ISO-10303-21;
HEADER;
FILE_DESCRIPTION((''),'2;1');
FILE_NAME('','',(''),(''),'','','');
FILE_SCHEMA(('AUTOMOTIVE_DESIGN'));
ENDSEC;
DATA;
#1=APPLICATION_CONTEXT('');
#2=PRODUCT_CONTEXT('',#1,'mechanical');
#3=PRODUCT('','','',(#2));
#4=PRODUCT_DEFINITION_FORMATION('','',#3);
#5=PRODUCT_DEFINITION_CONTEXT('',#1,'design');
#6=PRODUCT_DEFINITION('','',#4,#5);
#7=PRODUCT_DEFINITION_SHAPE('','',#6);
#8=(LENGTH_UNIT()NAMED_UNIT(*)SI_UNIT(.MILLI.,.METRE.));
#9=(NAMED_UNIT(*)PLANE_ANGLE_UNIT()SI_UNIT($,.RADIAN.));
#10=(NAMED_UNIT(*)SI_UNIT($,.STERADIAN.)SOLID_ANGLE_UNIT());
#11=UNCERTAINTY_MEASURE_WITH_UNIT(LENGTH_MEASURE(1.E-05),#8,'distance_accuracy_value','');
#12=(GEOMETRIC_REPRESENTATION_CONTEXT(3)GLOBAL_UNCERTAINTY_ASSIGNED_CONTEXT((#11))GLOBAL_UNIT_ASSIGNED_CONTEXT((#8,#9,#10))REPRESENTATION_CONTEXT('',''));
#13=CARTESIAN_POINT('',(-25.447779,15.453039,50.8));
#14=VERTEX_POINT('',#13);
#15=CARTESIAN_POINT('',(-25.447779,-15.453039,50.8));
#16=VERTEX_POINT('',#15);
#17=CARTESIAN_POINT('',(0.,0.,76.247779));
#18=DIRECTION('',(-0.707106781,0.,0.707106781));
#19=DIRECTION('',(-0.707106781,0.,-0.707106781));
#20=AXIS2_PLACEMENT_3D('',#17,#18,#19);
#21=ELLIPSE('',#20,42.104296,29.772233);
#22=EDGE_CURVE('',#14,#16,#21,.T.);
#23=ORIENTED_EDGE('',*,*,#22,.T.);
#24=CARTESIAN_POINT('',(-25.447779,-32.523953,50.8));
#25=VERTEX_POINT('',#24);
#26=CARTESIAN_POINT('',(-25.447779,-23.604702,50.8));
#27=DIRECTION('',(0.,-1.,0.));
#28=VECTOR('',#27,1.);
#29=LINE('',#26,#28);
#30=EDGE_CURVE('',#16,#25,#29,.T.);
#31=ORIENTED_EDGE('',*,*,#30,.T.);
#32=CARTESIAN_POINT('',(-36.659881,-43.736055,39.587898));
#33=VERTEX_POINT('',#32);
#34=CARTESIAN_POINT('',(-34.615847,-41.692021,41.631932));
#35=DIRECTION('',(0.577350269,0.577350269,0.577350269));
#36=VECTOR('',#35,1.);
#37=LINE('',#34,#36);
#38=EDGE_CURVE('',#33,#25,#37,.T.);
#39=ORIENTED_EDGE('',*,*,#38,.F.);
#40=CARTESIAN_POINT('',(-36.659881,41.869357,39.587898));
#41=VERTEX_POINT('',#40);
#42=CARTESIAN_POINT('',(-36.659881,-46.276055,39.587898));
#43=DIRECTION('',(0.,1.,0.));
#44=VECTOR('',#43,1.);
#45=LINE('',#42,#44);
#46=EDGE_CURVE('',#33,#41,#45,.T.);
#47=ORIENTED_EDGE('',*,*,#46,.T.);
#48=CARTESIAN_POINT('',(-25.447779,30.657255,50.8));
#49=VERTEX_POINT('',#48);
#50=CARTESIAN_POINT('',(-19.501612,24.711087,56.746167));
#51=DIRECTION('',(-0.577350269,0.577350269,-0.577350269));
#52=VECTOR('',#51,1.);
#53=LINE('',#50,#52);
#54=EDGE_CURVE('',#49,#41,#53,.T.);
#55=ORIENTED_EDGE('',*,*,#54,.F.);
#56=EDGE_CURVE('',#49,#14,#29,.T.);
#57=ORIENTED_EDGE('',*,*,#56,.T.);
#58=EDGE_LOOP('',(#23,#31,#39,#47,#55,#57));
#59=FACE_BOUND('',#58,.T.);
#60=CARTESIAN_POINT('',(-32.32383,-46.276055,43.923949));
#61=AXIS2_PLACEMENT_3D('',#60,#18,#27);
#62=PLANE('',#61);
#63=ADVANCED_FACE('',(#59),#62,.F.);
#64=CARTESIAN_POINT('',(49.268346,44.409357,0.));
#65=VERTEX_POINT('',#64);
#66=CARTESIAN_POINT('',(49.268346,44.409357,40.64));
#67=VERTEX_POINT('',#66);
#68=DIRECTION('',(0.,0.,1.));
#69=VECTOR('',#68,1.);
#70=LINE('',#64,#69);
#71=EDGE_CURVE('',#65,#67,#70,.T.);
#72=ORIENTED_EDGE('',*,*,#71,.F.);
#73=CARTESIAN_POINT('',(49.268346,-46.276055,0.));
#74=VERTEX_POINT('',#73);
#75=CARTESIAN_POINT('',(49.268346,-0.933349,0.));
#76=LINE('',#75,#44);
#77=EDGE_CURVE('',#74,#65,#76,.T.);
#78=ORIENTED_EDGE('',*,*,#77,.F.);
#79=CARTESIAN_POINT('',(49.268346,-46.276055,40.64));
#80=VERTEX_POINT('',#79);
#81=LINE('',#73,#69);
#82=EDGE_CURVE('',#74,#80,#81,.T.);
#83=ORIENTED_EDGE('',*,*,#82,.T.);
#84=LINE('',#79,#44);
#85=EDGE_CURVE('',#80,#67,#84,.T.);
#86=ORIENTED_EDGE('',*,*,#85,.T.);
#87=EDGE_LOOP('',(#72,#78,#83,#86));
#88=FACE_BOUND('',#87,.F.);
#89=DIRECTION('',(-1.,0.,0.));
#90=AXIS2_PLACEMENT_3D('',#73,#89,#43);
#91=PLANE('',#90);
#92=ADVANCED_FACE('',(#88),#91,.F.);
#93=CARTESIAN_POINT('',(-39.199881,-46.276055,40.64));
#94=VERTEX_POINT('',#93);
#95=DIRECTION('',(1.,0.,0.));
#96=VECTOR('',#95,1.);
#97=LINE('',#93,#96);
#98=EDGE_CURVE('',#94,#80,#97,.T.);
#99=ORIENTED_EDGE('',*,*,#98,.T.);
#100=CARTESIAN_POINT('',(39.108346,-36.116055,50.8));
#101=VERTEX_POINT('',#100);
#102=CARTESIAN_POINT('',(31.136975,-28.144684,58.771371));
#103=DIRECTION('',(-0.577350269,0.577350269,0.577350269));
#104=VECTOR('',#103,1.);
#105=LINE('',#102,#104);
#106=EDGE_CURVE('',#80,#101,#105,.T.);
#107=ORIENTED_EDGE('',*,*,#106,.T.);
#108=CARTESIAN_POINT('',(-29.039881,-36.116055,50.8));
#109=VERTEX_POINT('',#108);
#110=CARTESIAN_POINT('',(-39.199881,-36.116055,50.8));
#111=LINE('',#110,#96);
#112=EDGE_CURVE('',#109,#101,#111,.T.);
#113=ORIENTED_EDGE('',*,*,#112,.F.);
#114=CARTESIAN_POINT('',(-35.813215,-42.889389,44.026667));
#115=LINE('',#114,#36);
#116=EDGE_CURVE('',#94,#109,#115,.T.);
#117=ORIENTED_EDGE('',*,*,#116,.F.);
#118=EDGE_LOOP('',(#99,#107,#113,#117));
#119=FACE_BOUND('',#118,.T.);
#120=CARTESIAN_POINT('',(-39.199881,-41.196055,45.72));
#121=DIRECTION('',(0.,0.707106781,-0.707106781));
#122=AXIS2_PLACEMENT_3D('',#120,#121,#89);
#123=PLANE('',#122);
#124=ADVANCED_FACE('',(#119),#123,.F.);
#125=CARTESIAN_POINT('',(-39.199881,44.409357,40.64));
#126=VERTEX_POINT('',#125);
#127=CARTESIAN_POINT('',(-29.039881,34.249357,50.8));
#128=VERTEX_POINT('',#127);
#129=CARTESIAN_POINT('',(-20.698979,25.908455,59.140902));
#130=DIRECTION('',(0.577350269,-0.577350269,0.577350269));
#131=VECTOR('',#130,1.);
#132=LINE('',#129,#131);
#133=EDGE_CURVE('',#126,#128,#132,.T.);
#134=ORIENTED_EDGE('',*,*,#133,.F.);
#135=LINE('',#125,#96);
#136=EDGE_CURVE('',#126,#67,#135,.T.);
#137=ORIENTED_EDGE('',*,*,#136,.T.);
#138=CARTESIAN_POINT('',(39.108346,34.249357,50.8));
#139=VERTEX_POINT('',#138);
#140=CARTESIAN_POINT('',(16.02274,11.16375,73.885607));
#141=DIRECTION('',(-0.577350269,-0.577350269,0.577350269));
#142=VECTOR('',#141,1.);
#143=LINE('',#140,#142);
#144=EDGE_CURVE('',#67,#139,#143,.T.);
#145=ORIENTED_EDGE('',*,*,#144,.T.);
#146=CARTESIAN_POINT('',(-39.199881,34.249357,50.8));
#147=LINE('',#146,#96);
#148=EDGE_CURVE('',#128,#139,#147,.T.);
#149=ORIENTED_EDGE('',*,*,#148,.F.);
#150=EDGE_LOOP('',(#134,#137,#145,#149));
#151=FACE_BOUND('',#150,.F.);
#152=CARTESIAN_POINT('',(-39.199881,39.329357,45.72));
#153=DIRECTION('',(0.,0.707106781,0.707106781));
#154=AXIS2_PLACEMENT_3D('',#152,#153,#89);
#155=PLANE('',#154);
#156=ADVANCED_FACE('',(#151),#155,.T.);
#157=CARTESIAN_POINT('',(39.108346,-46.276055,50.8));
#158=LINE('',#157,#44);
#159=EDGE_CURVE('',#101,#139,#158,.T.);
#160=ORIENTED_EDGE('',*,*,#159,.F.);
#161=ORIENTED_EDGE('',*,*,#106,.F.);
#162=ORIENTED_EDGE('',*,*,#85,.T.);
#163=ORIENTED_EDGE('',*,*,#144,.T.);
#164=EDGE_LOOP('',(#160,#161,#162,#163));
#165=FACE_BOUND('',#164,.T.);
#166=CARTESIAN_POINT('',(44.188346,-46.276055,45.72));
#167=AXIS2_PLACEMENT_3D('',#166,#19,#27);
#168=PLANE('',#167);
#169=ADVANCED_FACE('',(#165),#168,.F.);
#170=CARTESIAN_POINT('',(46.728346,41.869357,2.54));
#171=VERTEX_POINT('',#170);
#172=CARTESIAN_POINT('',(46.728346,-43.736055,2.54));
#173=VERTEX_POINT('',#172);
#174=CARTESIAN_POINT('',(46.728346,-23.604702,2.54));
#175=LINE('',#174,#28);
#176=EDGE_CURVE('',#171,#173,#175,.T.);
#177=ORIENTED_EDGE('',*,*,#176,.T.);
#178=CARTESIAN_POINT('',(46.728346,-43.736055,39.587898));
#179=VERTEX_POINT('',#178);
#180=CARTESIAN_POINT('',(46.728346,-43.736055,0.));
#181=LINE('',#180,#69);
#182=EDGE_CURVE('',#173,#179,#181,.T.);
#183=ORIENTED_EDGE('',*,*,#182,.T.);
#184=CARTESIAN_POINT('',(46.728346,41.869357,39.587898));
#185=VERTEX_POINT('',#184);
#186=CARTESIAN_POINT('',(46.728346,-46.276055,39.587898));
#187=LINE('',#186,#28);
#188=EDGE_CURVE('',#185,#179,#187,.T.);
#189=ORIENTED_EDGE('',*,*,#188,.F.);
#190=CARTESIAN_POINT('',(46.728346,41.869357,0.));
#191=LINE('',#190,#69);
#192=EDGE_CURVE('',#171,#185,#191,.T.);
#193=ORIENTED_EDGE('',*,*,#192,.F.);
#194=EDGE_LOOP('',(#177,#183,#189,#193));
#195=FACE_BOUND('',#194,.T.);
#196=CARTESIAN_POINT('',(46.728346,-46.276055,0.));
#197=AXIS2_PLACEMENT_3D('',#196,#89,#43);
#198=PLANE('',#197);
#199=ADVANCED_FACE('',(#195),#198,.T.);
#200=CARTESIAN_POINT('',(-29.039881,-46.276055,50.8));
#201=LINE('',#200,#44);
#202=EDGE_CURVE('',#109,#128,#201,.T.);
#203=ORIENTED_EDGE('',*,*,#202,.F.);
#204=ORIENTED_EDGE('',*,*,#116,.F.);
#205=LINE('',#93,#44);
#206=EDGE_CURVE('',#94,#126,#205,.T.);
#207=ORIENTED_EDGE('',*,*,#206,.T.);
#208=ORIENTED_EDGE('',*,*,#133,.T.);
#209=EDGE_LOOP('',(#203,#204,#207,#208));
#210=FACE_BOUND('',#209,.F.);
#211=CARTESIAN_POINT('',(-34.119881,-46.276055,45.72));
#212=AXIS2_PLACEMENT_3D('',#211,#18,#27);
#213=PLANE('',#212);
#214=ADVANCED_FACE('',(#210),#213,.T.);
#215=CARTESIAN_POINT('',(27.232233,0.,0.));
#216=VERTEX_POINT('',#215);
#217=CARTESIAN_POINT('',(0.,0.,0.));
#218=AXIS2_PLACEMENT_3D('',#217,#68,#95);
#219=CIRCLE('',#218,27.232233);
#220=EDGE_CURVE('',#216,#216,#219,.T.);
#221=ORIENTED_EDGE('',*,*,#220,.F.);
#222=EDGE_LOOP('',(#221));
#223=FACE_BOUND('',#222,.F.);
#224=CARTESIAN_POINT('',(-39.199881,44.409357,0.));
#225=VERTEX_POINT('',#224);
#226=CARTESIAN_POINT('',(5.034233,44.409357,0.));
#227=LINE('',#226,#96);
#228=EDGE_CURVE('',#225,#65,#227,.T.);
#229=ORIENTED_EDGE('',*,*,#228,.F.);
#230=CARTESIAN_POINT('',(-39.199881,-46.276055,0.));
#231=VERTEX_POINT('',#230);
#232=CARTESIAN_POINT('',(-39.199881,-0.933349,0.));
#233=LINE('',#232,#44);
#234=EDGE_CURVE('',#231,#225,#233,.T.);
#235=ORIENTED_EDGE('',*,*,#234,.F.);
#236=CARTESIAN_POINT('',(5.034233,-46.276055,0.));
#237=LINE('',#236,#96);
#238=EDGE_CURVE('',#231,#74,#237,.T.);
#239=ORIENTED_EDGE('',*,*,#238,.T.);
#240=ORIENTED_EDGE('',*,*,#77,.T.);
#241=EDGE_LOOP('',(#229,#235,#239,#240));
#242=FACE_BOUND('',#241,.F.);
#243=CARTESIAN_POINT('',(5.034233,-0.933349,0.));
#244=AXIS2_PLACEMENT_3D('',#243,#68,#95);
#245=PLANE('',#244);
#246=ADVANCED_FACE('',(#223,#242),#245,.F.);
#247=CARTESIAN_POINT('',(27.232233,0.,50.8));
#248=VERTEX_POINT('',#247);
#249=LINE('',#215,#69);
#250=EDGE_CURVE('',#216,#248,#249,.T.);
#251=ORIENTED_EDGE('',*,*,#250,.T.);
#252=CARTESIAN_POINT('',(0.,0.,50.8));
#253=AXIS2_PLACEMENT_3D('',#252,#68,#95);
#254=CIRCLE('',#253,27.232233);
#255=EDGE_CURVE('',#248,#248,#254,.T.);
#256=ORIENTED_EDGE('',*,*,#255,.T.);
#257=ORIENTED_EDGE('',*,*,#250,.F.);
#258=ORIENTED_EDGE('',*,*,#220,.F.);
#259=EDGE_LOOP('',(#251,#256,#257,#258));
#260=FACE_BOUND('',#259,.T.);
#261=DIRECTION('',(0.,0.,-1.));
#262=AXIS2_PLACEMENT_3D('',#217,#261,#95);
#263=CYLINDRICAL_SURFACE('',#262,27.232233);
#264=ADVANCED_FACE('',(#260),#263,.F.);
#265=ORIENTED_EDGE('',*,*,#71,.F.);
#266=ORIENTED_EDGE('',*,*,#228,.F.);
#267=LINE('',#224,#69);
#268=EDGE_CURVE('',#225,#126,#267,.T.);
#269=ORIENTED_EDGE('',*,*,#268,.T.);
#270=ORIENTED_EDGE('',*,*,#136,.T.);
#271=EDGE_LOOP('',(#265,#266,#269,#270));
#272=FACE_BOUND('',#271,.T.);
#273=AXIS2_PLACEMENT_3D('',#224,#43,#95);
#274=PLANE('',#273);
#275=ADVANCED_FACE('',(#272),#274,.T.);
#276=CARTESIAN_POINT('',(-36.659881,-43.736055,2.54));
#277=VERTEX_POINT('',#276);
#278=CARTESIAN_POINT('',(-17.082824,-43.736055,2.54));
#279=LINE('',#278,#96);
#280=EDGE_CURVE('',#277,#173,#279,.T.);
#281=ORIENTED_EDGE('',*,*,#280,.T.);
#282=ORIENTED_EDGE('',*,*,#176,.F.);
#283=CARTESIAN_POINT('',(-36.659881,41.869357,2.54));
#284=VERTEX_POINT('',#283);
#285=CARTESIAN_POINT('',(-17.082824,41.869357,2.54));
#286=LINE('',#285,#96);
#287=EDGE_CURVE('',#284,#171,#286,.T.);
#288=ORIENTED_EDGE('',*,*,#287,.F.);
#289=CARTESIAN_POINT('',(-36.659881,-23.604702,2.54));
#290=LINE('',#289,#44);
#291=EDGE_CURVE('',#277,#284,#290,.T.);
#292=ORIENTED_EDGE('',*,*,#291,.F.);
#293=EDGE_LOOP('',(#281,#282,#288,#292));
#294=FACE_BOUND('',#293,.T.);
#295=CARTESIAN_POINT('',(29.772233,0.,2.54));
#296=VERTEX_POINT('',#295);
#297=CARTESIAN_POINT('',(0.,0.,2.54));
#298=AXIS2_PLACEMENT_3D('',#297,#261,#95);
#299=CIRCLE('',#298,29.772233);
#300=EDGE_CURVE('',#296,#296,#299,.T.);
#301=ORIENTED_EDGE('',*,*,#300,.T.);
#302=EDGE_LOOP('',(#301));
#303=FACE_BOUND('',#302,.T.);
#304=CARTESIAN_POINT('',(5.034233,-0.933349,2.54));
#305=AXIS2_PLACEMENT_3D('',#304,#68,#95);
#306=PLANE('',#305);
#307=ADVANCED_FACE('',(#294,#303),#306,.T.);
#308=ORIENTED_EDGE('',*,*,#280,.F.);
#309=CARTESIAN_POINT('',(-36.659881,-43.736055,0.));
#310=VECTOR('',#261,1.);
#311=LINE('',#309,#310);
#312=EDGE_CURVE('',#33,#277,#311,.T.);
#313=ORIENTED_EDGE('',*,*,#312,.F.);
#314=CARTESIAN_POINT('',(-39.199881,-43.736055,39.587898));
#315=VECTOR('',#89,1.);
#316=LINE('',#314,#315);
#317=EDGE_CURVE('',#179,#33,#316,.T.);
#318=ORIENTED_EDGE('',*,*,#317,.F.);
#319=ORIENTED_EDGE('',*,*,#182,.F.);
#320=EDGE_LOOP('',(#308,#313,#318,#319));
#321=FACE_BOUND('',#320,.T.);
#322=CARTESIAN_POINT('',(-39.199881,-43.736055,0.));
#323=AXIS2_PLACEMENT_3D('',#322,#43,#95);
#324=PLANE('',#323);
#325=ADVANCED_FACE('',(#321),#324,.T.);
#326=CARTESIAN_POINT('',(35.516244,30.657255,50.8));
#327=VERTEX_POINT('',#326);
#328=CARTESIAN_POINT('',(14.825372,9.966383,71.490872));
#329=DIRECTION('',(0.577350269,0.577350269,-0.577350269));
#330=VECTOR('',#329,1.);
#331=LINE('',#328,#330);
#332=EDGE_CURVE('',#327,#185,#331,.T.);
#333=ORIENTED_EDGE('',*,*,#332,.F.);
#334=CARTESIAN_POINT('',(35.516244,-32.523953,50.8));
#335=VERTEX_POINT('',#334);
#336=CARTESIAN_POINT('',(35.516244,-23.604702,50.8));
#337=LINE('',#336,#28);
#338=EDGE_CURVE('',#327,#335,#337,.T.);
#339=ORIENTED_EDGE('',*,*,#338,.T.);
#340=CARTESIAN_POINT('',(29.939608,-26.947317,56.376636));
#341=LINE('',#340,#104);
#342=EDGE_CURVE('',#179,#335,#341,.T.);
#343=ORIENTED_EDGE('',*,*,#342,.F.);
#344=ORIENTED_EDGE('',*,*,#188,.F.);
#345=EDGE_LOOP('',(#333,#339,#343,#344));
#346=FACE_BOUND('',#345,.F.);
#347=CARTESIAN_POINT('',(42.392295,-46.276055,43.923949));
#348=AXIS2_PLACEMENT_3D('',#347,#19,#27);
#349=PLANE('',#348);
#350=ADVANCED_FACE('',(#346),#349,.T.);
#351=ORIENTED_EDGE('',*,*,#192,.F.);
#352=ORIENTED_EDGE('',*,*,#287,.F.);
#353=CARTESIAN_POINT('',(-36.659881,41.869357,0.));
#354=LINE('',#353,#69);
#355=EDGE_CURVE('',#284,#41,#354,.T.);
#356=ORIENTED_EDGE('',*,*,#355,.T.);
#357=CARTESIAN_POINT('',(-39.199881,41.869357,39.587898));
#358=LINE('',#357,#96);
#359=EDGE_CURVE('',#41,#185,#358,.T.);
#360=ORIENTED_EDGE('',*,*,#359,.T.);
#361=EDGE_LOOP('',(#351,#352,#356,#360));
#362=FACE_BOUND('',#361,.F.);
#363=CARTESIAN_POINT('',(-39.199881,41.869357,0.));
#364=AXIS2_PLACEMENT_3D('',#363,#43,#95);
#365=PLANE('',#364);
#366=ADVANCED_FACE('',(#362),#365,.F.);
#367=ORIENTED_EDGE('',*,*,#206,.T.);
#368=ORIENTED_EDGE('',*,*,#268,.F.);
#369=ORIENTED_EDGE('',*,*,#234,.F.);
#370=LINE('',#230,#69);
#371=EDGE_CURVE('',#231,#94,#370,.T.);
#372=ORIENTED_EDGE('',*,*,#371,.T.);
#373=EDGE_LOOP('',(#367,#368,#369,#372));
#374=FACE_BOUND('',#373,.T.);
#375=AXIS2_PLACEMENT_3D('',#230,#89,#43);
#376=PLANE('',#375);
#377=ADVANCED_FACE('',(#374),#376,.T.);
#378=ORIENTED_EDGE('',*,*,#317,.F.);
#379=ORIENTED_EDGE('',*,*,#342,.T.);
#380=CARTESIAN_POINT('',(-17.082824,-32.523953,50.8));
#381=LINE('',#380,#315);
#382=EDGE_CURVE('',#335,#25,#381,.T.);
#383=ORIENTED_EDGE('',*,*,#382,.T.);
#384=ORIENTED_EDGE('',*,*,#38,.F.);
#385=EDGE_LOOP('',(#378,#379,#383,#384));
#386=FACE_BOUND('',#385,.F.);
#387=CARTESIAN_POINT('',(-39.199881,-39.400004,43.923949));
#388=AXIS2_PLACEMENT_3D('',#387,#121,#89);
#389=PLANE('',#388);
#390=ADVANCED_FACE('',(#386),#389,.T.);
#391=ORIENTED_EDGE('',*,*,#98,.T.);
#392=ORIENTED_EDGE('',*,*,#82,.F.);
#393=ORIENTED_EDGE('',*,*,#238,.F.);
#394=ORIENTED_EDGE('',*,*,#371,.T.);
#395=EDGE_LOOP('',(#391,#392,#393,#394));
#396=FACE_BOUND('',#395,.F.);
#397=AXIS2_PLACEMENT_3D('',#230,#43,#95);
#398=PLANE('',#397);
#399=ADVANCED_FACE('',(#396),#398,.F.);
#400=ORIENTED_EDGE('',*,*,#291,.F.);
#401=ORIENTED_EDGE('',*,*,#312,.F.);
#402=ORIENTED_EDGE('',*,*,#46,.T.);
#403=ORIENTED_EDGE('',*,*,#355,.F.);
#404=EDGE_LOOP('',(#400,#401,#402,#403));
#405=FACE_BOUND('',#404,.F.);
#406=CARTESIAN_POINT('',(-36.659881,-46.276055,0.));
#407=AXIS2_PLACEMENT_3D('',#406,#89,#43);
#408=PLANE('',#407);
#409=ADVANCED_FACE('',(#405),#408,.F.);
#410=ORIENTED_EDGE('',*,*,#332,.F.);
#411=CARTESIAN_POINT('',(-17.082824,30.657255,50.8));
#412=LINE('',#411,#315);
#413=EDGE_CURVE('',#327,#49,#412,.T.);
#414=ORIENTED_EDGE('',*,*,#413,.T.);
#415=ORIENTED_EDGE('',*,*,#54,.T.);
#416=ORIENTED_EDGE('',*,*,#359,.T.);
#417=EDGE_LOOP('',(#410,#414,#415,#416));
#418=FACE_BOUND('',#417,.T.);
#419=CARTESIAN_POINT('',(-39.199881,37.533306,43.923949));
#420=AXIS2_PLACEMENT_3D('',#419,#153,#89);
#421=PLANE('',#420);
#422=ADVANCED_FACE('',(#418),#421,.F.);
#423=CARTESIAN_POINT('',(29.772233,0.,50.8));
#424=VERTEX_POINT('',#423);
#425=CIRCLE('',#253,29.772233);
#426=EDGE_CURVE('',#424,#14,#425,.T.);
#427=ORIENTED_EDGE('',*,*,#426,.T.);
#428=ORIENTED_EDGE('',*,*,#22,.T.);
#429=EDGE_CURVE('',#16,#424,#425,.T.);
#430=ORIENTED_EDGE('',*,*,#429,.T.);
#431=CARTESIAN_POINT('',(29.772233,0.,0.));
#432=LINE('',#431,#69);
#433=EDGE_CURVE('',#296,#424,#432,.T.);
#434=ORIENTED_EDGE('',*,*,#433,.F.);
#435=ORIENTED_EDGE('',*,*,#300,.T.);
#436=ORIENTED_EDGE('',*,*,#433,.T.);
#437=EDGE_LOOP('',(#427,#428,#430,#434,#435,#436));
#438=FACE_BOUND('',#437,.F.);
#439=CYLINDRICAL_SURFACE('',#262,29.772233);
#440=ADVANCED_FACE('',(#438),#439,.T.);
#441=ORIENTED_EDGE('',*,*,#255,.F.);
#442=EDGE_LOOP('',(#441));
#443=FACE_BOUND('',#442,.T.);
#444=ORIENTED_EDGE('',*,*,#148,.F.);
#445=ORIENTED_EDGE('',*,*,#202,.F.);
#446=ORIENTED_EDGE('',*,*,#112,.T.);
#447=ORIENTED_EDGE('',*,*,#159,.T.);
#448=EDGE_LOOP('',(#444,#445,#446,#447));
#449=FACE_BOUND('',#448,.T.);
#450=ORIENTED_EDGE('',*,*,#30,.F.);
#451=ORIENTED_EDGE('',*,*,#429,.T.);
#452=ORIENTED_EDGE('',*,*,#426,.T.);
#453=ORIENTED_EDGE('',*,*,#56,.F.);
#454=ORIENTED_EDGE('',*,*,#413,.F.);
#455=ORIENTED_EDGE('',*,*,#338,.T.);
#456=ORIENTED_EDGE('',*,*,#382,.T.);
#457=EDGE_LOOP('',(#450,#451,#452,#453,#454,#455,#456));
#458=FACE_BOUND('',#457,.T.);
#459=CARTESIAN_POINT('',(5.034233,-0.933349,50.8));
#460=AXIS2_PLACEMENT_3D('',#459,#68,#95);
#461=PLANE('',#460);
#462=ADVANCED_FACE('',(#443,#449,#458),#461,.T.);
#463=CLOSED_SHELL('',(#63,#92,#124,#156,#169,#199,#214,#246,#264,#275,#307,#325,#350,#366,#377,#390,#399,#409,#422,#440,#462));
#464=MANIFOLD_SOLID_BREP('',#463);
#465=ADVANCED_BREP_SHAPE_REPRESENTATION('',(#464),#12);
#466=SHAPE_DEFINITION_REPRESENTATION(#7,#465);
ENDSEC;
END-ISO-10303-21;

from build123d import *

# Parameters (mm, degrees)
F0_W     = 88.4682275355
F0_H     = 90.6854122877
F0_R     = 27.23223306
F1_DEPTH = 50.8
F2_SIZE  = 10.16
F3_T     = -2.54


with BuildPart() as f1:
    # F0 (on Top) → F1 (new body)
    with BuildSketch(Plane.XY):
        with Locations((5.0342325121, -0.9333491325)):
            Rectangle(F0_W, F0_H)
        Circle(F0_R, mode=Mode.SUBTRACT)
    extrude(amount=F1_DEPTH)

    # F2
    f2_edges = [f1.edges().sort_by_distance(p)[0] for p in [
        (5.034233, -46.276055, 50.8),
        (-39.199881, -0.933349, 50.8),
        (5.034233, 44.409357, 50.8),
        (49.268346, -0.933349, 50.8),
    ]]
    chamfer(f2_edges, length=F2_SIZE)

    # F3
    f3_openings = [f1.faces().sort_by_distance(p)[0] for p in [
        (5.034233, -35.13649, 50.8),
    ]]
    offset(amount=F3_T, openings=f3_openings)


solid = f1.part
